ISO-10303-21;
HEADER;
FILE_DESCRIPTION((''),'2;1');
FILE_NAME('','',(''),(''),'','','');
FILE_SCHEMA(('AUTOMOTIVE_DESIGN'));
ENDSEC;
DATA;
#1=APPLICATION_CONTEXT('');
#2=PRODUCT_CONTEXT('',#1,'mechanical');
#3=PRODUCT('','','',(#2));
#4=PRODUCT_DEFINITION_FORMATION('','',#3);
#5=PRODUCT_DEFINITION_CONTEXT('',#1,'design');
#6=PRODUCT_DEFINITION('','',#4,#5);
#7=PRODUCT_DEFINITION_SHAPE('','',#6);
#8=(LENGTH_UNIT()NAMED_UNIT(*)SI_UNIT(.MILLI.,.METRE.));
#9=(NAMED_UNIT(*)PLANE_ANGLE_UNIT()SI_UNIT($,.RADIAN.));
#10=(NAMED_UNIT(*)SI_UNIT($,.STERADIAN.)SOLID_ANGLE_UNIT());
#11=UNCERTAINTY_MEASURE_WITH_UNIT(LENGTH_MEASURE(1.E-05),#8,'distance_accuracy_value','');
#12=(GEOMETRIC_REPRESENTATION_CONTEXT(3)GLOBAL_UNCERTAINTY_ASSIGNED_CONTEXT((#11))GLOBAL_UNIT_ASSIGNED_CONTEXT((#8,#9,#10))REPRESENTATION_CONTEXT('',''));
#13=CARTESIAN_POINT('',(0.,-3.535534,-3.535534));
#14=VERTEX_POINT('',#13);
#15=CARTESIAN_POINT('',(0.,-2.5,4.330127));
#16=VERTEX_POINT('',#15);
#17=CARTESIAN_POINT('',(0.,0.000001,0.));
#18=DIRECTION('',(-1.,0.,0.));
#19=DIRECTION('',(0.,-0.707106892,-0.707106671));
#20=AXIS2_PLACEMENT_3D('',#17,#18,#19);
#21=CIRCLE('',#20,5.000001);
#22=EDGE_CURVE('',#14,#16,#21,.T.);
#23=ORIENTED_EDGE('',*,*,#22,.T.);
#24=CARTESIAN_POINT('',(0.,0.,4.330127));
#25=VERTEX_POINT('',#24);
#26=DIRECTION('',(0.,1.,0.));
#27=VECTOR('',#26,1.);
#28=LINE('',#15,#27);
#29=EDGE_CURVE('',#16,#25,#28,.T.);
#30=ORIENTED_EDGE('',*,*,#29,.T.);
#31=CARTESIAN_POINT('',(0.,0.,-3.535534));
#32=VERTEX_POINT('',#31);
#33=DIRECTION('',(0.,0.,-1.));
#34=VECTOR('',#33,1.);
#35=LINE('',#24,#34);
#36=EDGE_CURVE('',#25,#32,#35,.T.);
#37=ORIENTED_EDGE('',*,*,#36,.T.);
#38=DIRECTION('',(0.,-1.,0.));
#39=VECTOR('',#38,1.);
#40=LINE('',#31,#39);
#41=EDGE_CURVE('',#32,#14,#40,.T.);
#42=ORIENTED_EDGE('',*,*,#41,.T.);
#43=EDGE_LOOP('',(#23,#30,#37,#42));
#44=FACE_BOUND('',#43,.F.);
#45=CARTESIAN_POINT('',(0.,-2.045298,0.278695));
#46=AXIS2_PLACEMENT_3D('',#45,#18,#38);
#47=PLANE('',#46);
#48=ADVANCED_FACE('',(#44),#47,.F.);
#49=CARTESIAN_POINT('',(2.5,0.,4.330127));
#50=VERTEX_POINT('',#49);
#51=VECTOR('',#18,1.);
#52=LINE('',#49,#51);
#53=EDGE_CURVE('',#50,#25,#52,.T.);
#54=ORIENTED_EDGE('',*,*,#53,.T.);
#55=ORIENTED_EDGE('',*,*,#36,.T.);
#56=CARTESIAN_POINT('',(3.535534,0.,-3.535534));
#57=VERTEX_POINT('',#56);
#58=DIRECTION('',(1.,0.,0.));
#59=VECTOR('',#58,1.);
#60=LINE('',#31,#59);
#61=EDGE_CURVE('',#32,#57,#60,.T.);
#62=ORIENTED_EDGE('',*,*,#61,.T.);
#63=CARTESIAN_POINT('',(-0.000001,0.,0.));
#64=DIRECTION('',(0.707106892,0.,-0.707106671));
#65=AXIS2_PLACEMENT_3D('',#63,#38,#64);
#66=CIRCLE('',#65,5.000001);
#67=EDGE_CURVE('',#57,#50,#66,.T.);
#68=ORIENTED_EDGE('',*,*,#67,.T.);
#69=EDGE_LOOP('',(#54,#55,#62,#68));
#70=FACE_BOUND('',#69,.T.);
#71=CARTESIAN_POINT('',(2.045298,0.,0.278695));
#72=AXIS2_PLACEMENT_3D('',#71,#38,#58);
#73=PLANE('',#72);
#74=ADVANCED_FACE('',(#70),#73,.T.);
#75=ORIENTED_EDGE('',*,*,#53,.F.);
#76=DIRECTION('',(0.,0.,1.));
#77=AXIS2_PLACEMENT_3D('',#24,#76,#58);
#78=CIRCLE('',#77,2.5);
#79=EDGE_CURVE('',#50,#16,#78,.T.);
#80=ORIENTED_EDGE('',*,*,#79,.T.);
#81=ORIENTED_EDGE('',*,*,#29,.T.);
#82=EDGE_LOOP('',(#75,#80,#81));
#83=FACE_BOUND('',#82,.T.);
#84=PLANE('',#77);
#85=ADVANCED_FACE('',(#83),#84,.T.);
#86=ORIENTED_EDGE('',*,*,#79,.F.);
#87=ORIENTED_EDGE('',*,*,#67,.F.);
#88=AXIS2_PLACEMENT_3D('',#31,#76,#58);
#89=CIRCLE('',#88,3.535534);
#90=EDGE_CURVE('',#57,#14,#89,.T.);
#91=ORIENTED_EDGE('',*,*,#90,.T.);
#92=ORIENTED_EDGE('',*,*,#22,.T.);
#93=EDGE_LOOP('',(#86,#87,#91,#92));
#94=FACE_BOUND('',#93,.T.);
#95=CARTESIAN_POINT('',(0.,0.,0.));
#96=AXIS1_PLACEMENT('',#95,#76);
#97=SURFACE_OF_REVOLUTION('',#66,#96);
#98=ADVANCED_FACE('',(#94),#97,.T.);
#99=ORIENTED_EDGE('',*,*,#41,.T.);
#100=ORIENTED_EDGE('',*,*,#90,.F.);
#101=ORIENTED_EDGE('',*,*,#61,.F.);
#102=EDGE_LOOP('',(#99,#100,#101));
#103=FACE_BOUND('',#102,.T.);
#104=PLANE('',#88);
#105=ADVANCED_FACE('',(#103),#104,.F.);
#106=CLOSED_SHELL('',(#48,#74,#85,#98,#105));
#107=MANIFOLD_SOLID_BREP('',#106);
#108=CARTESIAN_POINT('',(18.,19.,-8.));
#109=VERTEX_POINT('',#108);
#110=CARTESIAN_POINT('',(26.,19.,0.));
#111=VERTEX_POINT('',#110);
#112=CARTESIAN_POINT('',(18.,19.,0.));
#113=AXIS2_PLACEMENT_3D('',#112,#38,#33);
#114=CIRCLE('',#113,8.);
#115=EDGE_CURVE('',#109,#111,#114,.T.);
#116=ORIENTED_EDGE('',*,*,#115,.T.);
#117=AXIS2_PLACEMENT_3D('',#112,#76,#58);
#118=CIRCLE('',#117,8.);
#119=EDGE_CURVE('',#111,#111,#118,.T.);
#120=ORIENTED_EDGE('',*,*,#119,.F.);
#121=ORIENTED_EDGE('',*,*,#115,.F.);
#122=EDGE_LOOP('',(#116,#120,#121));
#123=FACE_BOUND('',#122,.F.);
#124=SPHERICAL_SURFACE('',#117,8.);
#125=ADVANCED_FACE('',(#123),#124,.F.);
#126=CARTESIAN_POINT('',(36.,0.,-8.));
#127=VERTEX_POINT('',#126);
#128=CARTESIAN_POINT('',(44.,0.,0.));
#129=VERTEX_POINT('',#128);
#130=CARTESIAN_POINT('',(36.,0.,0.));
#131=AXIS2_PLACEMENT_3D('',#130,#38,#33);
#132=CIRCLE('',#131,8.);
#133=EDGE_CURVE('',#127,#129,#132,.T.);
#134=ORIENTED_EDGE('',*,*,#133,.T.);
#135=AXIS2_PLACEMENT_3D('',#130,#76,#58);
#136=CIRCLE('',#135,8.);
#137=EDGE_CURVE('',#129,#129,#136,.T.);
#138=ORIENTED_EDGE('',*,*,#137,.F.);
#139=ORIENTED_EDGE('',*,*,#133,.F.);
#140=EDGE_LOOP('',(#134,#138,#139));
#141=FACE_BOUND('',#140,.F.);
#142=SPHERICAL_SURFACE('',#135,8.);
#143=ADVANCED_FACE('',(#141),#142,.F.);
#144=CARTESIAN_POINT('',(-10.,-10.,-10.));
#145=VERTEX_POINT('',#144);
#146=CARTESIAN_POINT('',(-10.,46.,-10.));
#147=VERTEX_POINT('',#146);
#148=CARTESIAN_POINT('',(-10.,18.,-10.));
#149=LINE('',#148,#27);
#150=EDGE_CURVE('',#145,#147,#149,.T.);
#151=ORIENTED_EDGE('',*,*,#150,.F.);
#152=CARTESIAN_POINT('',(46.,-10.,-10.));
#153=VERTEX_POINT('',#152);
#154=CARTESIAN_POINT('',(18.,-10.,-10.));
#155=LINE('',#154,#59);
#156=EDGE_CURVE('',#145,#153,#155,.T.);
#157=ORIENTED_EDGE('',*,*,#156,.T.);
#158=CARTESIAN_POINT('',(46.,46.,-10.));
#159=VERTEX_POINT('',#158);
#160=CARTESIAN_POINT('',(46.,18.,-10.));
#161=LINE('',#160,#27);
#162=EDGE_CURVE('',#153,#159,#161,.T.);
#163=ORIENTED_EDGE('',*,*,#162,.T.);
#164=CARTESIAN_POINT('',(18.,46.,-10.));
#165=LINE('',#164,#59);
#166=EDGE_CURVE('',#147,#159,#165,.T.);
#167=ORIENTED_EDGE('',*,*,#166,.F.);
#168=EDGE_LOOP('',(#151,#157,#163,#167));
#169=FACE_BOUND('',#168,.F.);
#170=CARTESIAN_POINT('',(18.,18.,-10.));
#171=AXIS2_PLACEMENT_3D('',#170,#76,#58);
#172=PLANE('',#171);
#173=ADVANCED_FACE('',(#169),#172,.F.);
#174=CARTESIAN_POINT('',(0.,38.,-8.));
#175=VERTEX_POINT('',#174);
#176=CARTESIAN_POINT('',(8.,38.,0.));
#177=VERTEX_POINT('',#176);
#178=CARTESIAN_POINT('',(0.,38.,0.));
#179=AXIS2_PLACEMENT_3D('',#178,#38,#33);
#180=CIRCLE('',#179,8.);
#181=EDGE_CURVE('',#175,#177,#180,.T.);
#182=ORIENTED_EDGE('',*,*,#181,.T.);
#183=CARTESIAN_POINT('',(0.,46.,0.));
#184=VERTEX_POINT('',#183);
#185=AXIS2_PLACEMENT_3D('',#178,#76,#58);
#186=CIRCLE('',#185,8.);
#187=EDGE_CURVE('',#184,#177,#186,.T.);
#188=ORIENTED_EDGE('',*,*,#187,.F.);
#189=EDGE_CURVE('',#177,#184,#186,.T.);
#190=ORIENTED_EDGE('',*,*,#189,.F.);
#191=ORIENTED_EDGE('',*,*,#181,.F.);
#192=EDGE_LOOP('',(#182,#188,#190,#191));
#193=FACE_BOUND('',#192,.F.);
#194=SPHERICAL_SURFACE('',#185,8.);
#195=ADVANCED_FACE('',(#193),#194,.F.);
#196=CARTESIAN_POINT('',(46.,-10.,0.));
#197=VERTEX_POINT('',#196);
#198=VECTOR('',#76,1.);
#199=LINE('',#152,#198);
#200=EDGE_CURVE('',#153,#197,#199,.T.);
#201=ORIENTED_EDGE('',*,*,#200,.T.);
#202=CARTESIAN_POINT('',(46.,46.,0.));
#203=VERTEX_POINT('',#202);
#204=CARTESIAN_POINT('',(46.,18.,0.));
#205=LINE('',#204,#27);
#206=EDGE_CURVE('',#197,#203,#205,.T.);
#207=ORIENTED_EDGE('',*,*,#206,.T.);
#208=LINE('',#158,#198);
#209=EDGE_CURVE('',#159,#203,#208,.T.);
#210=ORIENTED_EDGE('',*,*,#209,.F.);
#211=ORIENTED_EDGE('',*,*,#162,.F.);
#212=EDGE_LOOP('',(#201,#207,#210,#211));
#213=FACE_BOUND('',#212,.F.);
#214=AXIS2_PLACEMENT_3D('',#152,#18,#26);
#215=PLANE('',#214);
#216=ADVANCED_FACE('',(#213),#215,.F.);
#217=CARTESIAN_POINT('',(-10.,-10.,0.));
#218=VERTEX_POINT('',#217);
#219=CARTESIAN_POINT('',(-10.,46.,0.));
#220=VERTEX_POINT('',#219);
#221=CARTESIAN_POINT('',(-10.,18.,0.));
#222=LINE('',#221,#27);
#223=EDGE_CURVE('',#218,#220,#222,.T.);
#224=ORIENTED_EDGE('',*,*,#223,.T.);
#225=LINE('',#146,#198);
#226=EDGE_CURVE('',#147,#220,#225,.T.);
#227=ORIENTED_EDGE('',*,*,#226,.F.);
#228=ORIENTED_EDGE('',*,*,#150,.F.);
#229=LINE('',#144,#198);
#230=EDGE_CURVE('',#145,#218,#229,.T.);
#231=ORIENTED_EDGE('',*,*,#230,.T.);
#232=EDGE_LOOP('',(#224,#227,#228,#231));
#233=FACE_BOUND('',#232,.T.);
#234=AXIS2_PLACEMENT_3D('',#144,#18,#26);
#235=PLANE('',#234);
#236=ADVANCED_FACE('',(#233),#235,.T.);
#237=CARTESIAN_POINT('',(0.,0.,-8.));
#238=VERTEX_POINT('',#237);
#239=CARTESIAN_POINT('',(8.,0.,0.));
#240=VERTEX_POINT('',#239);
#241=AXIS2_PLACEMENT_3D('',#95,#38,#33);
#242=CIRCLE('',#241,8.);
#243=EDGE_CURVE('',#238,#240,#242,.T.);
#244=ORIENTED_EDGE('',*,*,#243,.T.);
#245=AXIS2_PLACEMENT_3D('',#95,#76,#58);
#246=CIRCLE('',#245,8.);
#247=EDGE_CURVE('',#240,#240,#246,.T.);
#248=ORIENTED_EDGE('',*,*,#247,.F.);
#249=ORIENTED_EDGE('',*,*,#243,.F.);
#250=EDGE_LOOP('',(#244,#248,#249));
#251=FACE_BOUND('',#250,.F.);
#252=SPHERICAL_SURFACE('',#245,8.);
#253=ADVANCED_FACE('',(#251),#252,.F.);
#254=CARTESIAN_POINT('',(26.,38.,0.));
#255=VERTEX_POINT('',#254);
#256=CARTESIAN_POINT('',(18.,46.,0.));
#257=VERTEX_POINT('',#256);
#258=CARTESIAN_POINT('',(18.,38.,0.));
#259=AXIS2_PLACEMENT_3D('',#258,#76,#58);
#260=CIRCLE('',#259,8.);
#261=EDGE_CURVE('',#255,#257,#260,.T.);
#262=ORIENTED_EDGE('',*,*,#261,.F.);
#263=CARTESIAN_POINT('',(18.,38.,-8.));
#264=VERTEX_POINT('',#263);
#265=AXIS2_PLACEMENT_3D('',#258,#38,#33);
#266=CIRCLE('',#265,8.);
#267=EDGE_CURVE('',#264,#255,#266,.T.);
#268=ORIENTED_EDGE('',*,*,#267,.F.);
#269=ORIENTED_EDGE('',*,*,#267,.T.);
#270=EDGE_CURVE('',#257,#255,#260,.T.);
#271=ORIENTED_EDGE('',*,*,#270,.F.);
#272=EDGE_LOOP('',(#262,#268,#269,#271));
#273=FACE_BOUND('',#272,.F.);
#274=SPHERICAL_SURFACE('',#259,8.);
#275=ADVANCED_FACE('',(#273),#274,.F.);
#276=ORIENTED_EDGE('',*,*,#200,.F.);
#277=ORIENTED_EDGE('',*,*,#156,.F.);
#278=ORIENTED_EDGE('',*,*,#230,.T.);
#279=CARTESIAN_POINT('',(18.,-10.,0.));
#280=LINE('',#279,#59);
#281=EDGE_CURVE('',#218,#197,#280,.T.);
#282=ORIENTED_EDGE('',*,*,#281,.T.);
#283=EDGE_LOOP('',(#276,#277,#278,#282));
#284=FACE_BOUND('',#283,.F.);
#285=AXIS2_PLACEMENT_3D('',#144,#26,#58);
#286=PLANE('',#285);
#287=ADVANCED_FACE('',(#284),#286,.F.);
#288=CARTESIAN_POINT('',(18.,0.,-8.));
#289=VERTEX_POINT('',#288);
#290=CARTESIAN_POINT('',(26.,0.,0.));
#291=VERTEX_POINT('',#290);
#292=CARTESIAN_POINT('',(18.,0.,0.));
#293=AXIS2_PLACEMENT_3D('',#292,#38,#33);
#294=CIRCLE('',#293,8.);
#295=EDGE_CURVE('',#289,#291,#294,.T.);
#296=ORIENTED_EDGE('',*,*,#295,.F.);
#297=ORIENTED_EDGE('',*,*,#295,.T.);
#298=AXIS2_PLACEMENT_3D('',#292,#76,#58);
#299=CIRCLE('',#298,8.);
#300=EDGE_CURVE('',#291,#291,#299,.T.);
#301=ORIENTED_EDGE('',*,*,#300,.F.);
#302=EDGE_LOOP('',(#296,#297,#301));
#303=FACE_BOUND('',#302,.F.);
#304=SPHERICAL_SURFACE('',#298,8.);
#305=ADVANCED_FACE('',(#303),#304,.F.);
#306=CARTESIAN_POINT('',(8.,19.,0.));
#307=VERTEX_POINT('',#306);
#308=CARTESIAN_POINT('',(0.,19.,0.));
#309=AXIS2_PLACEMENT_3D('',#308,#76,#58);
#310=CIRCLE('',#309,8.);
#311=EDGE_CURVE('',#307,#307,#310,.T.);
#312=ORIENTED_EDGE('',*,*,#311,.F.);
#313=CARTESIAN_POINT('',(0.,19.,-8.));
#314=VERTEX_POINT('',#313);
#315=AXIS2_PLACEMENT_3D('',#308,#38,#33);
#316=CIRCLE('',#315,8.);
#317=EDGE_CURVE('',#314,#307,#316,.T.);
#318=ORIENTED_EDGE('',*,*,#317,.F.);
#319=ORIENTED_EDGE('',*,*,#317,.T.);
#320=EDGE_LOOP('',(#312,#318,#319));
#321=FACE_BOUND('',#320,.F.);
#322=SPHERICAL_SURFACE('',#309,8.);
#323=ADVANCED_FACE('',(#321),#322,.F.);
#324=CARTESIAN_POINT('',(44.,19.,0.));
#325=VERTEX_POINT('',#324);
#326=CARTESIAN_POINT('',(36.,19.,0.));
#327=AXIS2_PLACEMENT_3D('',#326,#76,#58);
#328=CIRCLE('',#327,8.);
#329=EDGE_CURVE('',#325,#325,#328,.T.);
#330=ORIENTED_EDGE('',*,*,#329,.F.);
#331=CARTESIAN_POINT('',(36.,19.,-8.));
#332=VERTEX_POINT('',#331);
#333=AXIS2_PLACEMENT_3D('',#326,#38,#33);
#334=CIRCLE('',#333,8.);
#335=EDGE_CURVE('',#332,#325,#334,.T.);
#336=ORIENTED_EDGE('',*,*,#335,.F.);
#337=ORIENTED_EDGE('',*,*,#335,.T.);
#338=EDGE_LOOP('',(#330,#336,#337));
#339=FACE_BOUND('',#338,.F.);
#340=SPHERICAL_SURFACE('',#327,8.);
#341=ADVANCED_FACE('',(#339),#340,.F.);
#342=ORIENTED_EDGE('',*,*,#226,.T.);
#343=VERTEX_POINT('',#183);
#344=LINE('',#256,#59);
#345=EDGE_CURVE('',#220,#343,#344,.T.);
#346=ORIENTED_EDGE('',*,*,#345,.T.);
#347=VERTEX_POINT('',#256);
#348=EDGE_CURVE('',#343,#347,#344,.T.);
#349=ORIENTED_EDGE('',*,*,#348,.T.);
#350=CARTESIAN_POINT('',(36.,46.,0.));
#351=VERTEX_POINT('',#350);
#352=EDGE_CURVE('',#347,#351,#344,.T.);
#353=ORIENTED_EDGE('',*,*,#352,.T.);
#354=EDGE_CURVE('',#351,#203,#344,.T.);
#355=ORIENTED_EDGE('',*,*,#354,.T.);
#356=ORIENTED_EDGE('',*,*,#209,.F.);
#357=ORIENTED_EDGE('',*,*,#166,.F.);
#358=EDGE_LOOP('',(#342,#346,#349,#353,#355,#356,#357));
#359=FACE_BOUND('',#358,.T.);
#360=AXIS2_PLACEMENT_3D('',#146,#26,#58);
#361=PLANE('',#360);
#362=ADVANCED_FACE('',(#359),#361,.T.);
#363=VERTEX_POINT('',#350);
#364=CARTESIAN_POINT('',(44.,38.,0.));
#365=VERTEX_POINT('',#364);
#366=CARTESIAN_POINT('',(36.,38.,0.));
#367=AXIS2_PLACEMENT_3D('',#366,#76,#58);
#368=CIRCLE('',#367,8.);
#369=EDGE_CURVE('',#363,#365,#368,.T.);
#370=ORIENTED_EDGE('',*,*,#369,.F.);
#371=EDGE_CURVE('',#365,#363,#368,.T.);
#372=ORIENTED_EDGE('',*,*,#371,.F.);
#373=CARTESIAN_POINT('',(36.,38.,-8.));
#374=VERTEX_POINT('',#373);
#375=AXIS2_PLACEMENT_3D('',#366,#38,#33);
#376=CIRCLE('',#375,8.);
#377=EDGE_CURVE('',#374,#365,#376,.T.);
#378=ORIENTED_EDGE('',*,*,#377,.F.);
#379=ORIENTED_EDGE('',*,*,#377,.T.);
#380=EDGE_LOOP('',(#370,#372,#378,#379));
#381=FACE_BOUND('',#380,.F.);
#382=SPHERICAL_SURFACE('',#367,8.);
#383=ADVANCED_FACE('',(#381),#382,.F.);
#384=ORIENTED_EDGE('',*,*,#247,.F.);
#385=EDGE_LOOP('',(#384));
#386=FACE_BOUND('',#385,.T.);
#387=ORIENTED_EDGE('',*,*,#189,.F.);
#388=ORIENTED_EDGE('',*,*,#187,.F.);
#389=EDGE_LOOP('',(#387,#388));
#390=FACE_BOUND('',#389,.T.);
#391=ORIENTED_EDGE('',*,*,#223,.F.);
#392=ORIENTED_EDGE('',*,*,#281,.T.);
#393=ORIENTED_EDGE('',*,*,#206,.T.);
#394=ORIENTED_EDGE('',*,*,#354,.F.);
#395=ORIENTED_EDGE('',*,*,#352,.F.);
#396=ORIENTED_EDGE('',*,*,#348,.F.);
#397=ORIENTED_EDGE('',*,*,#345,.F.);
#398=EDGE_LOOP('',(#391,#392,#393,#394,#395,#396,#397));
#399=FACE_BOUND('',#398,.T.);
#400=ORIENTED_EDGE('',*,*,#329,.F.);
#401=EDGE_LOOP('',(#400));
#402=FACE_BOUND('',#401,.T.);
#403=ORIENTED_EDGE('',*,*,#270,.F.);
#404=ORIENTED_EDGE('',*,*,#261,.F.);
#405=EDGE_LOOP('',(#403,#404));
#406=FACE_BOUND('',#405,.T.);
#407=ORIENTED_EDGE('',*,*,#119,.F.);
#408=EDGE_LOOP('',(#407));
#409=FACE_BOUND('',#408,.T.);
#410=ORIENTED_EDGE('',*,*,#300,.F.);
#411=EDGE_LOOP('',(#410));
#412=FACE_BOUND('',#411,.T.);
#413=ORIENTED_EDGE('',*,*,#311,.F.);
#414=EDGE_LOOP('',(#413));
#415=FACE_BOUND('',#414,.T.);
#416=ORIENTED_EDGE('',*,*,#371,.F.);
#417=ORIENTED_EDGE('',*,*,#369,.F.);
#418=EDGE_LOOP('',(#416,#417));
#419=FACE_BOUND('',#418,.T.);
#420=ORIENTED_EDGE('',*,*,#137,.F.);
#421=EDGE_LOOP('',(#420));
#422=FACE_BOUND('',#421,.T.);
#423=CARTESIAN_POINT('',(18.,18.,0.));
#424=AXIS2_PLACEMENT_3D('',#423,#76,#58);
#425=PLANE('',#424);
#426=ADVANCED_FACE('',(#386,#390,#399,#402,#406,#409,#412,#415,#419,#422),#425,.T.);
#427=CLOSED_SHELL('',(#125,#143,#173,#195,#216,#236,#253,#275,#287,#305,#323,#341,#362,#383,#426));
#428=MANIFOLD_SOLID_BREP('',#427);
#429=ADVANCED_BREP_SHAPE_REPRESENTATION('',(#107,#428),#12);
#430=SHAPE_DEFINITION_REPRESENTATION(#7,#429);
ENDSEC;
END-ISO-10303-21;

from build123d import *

# Parameters (mm, degrees)
SPHERE_ANGLE  = 270
ARRAY_X_COUNT = 3
ARRAY_X_PITCH = 18
ARRAY_Y_COUNT = 3
ARRAY_Y_PITCH = 19
BOX_W         = 56
BOX_H         = 56
BOX_DEPTH     = 10


with BuildPart() as pac_man:
    # Sphere → Sphere (revolve)
    with BuildSketch(Plane.XZ):
        with BuildLine():
            ThreePointArc((3.535534, -3.535534), (4.957224, 0.652631), (2.5, 4.330127))
            Line((2.5, 4.330127), (0, 4.330127))
            Line((0, 4.330127), (0, -3.535534))
            Line((0, -3.535534), (3.535534, -3.535534))
        make_face()
    revolve(axis=Axis((0, 0, 0), (0, 0, 1)), revolution_arc=SPHERE_ANGLE)


with BuildPart() as array:
    # Sphere001 → Sphere001 (revolve)
    with BuildSketch(Plane.XZ):
        with BuildLine():
            ThreePointArc((0, -8), (8, 0), (0, 8))
            Line((0, 8), (0, -8))
        make_face()
    revolve(axis=Axis((0, 0, 0), (0, 0, 1)))

    # Array X: Array ×3


with BuildPart() as array_1:
    add(array.part)
    with Locations(*[(i * ARRAY_X_PITCH, 0, 0) for i in range(1, ARRAY_X_COUNT)]):
        add(array.part)

    # Array Y: Array ×3


with BuildPart() as array_2:
    add(array_1.part)
    with Locations(*[(0, i * ARRAY_Y_PITCH, 0) for i in range(1, ARRAY_Y_COUNT)]):
        add(array_1.part)


with BuildPart() as cut:
    # Box → Box (new body)
    with BuildSketch(Plane(origin=(-10, -10, -10), x_dir=(1, 0, 0), z_dir=(0, 0, 1))):
        with Locations((28, 28)):
            Rectangle(BOX_W, BOX_H)
    extrude(amount=BOX_DEPTH)

    # Cut: cut Array
    add(array_2.part, mode=Mode.SUBTRACT)


solid = Compound([pac_man.part, cut.part])
